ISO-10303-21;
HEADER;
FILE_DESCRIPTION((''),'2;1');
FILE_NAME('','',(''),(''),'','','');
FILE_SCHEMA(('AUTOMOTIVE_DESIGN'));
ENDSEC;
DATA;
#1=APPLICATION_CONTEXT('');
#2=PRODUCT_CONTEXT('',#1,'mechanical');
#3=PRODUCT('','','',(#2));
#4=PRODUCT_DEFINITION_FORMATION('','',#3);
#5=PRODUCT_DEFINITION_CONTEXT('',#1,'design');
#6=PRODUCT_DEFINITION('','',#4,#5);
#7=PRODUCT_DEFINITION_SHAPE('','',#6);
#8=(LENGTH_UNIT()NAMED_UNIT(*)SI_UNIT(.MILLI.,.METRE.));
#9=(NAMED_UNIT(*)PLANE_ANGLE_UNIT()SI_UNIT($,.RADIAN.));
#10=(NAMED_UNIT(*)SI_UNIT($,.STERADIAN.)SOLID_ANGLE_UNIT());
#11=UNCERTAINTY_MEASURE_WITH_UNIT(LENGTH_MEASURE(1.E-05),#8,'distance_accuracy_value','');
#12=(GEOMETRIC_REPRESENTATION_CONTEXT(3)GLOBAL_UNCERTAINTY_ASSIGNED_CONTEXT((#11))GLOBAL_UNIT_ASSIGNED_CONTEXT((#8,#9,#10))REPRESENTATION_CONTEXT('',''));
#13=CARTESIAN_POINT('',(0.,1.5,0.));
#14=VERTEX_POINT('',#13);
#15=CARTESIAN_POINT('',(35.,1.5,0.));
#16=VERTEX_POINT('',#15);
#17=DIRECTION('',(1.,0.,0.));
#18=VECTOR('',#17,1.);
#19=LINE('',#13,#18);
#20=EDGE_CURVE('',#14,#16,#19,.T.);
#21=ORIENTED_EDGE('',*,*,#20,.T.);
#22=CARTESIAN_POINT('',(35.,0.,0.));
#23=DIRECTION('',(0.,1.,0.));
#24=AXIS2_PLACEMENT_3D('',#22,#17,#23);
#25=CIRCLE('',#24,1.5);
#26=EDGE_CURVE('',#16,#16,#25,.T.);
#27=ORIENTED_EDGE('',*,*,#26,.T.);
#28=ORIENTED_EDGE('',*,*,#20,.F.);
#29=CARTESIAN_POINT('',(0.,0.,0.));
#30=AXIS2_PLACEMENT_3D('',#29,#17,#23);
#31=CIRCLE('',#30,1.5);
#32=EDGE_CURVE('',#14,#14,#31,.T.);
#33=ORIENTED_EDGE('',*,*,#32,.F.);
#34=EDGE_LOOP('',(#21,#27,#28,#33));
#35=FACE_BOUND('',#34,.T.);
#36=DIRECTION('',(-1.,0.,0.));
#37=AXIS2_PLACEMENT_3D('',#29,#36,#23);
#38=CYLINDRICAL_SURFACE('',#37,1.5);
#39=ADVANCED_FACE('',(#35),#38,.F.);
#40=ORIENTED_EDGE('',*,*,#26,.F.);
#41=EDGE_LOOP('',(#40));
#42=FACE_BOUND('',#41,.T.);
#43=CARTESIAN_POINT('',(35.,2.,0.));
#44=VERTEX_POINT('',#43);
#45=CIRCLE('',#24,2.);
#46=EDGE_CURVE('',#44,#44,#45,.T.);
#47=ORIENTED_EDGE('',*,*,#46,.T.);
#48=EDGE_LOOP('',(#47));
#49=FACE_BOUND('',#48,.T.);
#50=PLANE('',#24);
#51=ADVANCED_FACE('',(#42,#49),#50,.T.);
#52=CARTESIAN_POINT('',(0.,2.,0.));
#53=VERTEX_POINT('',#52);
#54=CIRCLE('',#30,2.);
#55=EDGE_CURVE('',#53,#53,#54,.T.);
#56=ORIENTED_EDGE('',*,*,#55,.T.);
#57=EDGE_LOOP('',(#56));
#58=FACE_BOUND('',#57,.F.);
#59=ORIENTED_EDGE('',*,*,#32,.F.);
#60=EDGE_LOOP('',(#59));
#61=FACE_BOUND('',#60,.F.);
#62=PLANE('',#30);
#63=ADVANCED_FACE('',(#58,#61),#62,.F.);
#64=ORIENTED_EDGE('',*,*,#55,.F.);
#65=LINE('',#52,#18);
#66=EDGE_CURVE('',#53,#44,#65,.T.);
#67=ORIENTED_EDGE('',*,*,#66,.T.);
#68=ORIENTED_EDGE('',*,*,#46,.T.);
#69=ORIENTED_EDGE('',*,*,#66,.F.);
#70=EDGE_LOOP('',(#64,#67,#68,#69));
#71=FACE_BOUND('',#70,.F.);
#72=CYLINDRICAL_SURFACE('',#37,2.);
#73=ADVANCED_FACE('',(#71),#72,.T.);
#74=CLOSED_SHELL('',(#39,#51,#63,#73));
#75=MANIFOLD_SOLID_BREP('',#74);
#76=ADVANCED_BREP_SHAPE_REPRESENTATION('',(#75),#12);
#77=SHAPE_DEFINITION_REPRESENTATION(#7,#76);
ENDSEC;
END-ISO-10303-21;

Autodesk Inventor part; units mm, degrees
ref_plane "YZ Plane" through (0, 0, 0) normal (1, 0, 0) x (0, 1, 0)
ref_plane "XZ Plane" through (0, 0, 0) normal (0, 1, 0) x (-1, 0, 0)
ref_plane "XY Plane" through (0, 0, 0) normal (0, 0, 1) x (1, 0, 0)
sketch "スケッチ1" plane through (0, 0, 0) normal (1, 0, 0) x (0, 1, 0)
  circle A0 centre (0, 0) radius 2
  circle A1 centre (0, 0) radius 1.5
  dimension "d0" = 4
  dimension "d1" = 3
extrude "押し出し1" add sketch "スケッチ1" along normal blind 35
properties part number "上下直動_ベアリングシャフト" material "アルミニウム 6061"
